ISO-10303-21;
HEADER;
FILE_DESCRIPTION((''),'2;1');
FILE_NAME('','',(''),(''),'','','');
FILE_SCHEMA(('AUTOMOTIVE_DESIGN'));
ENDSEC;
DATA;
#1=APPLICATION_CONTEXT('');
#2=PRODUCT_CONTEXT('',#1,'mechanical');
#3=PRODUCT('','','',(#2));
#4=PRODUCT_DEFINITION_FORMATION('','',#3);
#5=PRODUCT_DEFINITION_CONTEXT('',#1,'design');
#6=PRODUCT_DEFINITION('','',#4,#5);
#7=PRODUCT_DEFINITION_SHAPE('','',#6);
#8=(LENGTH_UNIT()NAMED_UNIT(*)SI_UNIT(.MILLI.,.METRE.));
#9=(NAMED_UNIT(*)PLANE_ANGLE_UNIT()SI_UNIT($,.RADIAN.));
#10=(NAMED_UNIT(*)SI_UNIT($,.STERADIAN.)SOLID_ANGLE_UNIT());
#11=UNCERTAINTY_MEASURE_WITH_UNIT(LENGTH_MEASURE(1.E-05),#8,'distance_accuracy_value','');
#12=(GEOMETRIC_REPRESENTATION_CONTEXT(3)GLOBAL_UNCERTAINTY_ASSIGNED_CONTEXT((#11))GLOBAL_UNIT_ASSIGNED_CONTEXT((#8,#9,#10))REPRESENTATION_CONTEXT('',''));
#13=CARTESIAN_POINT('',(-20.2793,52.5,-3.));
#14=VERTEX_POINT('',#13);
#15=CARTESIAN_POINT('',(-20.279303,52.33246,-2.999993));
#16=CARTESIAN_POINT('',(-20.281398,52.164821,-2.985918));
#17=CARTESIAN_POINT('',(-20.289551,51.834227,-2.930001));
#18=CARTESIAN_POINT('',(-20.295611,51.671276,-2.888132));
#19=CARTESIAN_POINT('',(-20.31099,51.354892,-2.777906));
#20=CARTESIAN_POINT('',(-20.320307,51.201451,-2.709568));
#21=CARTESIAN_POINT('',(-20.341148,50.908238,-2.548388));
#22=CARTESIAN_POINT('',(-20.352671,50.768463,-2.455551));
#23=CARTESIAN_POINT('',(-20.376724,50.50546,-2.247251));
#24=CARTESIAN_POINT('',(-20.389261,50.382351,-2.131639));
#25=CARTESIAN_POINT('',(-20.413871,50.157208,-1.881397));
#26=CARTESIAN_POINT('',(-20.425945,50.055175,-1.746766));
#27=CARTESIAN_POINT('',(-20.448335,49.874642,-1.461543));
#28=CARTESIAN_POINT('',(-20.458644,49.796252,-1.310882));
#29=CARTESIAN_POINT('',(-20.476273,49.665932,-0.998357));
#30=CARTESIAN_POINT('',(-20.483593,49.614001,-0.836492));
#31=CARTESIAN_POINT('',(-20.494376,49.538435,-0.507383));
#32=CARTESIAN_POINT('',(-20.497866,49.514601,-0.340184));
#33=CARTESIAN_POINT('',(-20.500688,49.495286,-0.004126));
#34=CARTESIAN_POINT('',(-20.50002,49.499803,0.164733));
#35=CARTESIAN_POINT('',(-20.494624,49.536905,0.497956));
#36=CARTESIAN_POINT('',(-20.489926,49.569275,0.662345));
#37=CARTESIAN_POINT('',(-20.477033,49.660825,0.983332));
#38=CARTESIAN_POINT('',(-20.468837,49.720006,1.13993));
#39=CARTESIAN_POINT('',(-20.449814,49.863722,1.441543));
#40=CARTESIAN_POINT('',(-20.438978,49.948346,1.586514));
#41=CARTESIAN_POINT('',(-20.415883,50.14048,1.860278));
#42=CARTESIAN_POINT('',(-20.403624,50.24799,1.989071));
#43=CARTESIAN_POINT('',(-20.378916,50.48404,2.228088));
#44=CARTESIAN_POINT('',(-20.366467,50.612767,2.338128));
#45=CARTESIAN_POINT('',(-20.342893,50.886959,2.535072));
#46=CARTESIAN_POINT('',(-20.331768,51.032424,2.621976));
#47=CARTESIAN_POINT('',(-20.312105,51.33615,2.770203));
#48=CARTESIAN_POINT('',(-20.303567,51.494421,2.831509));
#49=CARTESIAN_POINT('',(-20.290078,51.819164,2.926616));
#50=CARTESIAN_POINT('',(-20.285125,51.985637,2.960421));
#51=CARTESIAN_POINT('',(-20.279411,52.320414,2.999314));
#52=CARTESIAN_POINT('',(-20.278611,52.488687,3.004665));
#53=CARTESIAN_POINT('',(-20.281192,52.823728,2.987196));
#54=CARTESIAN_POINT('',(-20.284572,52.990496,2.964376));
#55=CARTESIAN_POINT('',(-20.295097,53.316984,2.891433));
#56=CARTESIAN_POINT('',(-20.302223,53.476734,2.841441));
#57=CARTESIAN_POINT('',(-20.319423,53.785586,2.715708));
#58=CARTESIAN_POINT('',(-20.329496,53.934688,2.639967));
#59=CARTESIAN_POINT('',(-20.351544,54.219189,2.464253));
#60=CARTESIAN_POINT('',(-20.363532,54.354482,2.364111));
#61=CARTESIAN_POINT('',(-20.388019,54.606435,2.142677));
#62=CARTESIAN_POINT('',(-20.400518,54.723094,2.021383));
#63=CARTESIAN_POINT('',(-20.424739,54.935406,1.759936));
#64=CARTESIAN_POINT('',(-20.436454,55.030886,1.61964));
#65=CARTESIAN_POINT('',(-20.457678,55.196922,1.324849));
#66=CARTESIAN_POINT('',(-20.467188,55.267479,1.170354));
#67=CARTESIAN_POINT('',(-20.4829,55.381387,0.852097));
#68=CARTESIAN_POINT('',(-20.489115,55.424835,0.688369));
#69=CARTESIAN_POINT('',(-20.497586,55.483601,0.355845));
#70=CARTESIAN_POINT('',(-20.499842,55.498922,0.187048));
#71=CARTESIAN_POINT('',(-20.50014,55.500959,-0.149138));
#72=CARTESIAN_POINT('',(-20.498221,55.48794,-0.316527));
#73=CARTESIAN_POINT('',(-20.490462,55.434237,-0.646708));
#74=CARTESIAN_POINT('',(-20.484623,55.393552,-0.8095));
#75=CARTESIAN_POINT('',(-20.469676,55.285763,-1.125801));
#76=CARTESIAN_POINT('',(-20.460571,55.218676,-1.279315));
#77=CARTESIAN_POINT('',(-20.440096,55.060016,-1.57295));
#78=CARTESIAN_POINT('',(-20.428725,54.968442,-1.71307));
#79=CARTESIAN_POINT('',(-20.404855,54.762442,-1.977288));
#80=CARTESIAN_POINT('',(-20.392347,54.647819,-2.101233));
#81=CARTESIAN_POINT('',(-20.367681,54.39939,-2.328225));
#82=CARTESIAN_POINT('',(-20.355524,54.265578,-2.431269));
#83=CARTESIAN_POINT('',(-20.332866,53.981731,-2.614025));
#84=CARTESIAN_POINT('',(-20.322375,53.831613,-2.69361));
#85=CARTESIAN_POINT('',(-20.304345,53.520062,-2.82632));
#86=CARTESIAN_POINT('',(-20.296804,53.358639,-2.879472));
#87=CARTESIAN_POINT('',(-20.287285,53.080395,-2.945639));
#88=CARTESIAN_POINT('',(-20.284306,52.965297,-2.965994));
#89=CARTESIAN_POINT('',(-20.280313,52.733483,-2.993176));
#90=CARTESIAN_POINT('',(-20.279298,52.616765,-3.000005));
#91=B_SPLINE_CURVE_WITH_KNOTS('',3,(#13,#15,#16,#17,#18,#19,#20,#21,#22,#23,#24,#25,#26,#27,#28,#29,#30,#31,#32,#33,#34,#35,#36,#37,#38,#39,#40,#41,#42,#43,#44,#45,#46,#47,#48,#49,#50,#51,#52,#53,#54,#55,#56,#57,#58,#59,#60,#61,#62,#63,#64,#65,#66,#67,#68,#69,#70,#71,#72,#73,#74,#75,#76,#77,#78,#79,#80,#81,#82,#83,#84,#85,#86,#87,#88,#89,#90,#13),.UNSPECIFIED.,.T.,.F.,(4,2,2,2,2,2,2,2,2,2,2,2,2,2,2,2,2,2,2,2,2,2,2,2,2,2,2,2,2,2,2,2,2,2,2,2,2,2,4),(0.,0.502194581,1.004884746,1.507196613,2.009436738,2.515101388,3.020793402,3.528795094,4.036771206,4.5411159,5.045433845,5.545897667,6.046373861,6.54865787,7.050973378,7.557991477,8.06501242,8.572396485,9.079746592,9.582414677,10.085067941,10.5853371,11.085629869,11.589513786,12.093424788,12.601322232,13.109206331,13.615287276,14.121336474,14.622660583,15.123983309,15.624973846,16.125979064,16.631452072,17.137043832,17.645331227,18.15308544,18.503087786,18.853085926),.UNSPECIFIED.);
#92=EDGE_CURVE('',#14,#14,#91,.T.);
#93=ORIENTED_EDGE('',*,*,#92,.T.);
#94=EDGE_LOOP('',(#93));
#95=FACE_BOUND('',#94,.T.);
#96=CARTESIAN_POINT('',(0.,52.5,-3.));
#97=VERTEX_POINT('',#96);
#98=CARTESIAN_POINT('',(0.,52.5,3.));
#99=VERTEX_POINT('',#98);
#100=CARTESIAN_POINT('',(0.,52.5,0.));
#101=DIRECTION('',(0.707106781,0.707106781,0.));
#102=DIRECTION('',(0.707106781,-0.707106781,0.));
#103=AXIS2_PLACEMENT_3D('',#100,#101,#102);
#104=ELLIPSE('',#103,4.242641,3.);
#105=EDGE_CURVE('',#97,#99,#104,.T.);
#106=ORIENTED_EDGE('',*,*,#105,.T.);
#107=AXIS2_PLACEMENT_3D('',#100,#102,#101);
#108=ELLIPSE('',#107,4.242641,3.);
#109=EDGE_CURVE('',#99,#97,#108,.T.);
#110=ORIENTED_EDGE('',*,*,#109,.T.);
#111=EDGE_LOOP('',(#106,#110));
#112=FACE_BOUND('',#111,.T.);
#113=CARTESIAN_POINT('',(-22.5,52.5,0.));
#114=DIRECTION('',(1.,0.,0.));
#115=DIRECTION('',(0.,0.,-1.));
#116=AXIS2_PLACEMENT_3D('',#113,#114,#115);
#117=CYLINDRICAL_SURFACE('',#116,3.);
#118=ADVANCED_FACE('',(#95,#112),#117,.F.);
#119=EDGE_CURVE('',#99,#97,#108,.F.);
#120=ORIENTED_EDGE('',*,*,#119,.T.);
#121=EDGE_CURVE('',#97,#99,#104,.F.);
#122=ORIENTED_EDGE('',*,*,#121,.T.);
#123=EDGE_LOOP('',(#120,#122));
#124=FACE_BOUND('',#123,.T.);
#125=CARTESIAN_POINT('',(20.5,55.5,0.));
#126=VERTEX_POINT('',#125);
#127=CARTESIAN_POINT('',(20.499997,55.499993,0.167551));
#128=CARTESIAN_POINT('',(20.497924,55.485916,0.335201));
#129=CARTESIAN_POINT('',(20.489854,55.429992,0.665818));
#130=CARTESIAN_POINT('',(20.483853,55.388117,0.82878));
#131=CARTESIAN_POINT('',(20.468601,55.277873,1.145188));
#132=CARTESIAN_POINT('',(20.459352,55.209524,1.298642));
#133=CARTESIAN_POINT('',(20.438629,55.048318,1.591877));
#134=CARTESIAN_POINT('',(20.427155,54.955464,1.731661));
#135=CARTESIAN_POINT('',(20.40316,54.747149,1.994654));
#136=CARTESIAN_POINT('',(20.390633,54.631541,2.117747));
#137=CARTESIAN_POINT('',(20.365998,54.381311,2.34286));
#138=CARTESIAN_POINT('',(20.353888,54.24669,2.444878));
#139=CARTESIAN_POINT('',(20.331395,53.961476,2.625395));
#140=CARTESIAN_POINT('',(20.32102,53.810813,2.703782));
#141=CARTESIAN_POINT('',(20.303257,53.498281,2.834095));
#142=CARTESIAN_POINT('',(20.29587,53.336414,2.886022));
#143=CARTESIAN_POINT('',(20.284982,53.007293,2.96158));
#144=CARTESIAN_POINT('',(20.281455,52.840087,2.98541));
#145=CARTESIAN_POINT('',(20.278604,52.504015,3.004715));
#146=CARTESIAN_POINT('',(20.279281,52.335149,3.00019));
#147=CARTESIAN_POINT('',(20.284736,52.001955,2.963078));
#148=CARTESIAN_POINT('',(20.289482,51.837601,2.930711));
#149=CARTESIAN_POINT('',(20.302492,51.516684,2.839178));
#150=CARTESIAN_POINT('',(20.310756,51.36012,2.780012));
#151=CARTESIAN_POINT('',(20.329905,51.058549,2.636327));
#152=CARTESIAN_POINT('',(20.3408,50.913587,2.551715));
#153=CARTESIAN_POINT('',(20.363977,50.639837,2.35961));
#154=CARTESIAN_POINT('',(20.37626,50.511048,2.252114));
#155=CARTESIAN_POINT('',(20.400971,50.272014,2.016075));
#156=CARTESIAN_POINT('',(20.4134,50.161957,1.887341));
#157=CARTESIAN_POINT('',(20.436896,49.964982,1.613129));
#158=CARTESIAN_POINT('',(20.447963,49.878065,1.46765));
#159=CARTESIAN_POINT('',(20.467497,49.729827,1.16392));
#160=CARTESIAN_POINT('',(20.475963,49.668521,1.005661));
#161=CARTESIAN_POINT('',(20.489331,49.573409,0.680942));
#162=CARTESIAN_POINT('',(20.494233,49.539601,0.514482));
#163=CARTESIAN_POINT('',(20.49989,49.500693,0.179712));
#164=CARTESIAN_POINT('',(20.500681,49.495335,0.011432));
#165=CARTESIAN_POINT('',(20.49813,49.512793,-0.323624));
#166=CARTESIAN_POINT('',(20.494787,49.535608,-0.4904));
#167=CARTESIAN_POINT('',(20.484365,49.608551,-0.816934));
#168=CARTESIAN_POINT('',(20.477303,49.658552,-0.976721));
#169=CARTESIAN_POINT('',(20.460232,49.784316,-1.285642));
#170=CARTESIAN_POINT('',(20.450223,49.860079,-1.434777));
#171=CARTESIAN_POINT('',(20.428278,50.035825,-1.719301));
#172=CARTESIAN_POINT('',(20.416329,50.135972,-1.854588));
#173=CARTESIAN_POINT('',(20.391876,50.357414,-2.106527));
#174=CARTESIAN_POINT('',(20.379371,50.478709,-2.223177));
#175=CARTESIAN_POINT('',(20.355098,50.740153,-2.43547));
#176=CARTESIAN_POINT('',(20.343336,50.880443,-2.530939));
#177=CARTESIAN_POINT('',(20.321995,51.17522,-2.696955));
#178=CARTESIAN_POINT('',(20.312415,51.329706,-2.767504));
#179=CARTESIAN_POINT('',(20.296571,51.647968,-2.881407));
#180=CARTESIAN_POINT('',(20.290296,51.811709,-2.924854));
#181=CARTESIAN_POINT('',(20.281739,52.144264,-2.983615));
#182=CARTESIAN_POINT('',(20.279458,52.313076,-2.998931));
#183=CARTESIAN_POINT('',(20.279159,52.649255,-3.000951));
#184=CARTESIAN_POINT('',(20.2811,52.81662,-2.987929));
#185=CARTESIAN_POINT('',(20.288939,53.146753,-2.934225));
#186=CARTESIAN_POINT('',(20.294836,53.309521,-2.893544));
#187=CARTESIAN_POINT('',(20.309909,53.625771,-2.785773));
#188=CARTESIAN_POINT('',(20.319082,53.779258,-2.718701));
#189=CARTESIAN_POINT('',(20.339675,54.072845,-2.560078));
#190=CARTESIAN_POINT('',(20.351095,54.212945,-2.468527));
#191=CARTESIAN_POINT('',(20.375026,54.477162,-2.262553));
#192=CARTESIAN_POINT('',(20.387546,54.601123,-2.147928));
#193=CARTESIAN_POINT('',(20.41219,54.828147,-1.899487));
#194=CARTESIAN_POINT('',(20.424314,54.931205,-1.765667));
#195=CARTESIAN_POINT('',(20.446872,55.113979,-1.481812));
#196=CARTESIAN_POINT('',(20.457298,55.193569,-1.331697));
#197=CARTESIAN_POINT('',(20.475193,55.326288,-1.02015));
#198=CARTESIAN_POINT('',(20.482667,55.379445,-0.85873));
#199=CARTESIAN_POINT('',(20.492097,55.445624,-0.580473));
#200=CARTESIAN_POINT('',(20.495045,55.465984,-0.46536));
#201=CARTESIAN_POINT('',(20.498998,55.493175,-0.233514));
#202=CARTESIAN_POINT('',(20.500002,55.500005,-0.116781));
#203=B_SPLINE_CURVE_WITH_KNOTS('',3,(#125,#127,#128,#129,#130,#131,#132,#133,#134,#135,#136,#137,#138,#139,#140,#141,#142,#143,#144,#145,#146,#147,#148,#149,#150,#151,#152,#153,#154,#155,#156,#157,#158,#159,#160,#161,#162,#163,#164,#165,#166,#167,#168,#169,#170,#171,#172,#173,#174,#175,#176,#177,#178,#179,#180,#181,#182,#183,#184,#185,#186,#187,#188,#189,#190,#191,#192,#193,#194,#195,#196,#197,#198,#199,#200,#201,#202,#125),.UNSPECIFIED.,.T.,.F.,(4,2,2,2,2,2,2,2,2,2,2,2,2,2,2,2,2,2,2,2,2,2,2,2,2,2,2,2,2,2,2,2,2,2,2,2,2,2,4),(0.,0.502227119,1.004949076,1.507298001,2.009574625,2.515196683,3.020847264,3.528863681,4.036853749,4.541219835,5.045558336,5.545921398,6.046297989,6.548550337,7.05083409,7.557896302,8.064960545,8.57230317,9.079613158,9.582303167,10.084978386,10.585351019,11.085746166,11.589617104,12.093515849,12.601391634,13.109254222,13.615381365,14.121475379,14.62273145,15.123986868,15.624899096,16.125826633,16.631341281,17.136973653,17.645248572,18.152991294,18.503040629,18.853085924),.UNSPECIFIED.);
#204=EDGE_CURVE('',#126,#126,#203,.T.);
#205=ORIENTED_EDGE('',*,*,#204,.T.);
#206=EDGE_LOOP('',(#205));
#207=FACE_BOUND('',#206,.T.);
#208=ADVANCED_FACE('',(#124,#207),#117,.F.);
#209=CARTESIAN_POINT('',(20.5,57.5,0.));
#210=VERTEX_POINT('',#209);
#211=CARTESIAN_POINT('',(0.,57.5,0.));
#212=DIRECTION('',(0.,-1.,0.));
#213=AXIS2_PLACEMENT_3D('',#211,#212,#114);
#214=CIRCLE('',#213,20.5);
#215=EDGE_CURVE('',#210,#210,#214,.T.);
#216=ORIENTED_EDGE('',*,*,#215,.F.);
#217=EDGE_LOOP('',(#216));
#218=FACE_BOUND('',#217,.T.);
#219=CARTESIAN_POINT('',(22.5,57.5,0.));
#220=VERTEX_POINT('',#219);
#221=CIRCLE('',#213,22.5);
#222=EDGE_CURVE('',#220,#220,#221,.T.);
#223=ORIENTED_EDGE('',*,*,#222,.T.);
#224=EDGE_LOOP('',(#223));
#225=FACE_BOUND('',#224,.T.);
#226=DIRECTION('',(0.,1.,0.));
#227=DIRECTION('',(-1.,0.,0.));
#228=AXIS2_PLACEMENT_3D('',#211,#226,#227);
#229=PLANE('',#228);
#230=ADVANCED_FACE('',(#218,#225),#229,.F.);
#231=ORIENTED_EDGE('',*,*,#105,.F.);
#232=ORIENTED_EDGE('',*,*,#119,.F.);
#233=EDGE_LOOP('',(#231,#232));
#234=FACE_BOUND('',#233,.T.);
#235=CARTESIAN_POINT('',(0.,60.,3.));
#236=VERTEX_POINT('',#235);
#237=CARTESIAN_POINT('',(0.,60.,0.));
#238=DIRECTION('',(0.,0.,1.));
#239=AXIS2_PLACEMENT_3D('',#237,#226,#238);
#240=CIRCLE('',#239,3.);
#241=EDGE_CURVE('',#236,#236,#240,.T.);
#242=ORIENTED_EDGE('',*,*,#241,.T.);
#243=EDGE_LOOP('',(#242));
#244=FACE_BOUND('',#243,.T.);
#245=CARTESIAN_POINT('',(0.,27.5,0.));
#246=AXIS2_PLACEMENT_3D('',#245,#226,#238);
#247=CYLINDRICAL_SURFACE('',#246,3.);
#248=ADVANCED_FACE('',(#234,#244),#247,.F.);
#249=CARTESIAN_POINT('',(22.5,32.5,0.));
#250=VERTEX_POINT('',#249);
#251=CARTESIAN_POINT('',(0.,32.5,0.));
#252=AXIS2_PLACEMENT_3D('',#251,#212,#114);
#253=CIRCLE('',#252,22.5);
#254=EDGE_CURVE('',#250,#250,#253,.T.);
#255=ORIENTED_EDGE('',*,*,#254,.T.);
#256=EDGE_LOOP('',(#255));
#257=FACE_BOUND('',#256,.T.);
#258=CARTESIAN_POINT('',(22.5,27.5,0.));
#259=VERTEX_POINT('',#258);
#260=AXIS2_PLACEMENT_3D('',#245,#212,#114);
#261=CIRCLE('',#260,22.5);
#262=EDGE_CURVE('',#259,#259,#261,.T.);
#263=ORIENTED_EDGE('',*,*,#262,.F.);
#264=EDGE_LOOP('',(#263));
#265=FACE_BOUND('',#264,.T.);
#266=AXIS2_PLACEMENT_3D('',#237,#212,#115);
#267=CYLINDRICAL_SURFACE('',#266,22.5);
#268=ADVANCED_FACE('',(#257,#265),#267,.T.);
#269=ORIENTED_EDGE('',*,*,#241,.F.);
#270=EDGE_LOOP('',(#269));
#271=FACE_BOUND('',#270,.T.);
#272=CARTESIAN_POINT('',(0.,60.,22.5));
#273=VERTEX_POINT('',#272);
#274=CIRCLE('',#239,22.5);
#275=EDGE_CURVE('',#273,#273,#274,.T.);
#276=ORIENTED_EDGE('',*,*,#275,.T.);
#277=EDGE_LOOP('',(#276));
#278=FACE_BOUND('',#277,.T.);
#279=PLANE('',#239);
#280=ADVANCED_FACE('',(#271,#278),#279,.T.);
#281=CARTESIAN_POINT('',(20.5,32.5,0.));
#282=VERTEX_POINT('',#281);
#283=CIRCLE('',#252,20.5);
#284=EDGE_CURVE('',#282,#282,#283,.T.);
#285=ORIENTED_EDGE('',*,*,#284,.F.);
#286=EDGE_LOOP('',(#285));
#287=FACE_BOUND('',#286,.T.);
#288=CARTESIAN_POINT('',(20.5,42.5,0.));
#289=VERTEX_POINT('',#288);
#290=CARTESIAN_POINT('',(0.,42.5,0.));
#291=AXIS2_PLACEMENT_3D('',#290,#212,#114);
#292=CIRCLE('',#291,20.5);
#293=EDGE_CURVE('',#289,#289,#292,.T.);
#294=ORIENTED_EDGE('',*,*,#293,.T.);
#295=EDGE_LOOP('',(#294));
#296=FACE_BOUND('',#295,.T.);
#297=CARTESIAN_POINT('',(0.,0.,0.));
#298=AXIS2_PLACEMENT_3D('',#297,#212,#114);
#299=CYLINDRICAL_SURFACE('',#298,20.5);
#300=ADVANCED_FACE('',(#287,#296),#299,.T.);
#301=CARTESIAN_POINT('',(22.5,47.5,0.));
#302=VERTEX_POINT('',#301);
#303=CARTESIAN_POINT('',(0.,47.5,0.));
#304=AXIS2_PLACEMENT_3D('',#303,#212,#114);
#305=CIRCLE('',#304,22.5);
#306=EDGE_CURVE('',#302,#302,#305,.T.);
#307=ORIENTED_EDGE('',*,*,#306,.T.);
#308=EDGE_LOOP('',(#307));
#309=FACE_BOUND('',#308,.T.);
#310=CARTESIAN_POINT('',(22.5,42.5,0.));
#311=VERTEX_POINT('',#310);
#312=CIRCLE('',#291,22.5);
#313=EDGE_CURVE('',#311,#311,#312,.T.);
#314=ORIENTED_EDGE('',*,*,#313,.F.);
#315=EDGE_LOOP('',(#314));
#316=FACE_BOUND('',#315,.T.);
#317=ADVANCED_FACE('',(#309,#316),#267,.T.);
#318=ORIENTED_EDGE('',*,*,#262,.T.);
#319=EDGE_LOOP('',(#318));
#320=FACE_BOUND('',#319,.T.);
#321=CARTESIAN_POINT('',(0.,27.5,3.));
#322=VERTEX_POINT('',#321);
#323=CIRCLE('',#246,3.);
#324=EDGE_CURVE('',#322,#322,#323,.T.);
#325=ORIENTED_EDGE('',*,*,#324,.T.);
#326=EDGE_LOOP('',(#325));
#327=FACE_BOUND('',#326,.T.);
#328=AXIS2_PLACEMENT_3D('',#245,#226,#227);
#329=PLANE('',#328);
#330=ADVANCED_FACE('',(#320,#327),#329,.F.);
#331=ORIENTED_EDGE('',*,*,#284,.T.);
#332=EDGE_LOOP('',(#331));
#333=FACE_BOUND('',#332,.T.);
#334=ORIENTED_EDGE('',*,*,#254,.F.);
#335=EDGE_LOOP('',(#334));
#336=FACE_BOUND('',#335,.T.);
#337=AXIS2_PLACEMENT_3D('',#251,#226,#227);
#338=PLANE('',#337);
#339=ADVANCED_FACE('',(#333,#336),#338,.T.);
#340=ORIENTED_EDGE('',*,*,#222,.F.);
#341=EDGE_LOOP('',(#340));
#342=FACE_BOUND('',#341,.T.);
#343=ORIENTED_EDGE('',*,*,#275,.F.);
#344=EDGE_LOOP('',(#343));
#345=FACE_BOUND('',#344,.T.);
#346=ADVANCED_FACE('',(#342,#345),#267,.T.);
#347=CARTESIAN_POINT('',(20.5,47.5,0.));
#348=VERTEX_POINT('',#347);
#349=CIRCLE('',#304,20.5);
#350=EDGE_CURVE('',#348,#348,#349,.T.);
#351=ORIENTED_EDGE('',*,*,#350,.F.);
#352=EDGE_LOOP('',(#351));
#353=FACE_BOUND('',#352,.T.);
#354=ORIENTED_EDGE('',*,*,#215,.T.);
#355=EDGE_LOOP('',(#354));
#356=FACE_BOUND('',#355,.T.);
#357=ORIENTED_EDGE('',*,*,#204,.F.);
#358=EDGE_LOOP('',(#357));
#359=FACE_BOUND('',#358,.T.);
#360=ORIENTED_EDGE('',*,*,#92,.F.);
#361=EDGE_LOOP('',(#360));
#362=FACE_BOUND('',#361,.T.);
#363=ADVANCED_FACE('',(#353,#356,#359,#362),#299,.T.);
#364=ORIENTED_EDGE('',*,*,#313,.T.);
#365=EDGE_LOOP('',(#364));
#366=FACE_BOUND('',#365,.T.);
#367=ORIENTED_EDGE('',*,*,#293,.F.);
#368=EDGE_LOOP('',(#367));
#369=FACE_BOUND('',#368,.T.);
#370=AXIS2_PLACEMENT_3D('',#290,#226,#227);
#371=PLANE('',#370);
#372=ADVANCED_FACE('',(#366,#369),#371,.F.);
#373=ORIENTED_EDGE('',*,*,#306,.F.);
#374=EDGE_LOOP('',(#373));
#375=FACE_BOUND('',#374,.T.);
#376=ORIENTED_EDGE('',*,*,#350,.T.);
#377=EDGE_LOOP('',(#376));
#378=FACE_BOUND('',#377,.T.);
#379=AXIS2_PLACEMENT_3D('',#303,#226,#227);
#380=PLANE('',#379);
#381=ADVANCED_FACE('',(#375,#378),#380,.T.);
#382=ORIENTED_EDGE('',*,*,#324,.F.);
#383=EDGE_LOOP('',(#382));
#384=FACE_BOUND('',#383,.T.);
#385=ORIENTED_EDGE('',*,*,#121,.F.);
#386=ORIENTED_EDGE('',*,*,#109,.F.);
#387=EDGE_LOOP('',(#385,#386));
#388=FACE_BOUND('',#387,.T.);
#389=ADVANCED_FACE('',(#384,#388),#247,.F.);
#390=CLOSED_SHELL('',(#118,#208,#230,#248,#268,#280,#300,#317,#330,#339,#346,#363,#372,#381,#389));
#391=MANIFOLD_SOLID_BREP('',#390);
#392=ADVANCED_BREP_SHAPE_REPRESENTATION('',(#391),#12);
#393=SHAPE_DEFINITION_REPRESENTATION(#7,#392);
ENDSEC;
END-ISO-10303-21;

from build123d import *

# Parameters (mm, degrees)
SKETCH1_R               = 22.5
BOSS_EXTRUDE1_DEPTH     = 60
SKETCH2_R               = 15
CUT_EXTRUDE1_DEPTH      = 12
SKETCH6_W               = 2
SKETCH6_H               = 10
SKETCH7_R               = 22.5
CUT_EXTRUDE2_DEPTH      = 27.5
SKETCH8_R               = 15
CUT_EXTRUDE3_DEPTH      = 27.5
SKETCH9_R               = 2
CUT_EXTRUDE5_DEPTH      = 23.5
CUT_EXTRUDE5_DEPTH_BACK = 23.5
SKETCH10_R              = 15
BOSS_EXTRUDE2_DEPTH     = 32.5
SKETCH11_R              = 3
CUT_EXTRUDE8_DEPTH      = 23.5
CUT_EXTRUDE8_DEPTH_BACK = 23.5
SKETCH12_R              = 3
CUT_EXTRUDE9_DEPTH      = 32.5


with BuildPart() as part:
    # Sketch1 → Boss-Extrude1 (new body)
    with BuildSketch(Plane(origin=(0, 0, 0), x_dir=(1, 0, 0), z_dir=(0, 1, 0))):
        Circle(SKETCH1_R)
    extrude(amount=BOSS_EXTRUDE1_DEPTH)

    # Sketch2 → Cut-Extrude1 (cut)
    with BuildSketch(Plane(origin=(0, 60, 0), x_dir=(1, 0, 0), z_dir=(0, 1, 0))):
        Circle(SKETCH2_R)
    extrude(amount=-CUT_EXTRUDE1_DEPTH, mode=Mode.SUBTRACT)

    # Sketch6 → Cut-Revolve1 (revolve, cut)
    with BuildSketch(Plane.XY):
        with Locations((-21.5, 52.5)):
            Rectangle(SKETCH6_W, SKETCH6_H)
        with Locations((-21.5, 37.5)):
            Rectangle(SKETCH6_W, SKETCH6_H)
        with Locations((-21.5, 22.5)):
            Rectangle(SKETCH6_W, SKETCH6_H)
        with Locations((-21.5, 7.5)):
            Rectangle(SKETCH6_W, SKETCH6_H)
    revolve(axis=Axis((0, 0, 0), (0, 1, 0)), mode=Mode.SUBTRACT)

    # Sketch7 → Cut-Extrude2 (cut)
    with BuildSketch(Plane.XZ):
        Circle(SKETCH7_R)
    extrude(amount=-CUT_EXTRUDE2_DEPTH, mode=Mode.SUBTRACT)

    # Sketch8 → Cut-Extrude3 (cut)
    with BuildSketch(Plane(origin=(0, 48, 0), x_dir=(1, 0, 0), z_dir=(0, 1, 0))):
        Circle(SKETCH8_R)
    extrude(amount=-CUT_EXTRUDE3_DEPTH, mode=Mode.SUBTRACT)

    # Sketch9 → Cut-Extrude5 (cut, two sides)
    with BuildSketch(Plane(origin=(0, 0, 0), x_dir=(0, 0, -1), z_dir=(1, 0, 0))) as cut_extrude5_sk:
        with Locations((0, 52.5)):
            Circle(SKETCH9_R)
    extrude(amount=CUT_EXTRUDE5_DEPTH, mode=Mode.SUBTRACT)
    extrude(cut_extrude5_sk.sketch, amount=-CUT_EXTRUDE5_DEPTH_BACK, mode=Mode.SUBTRACT)

    # Sketch10 → Boss-Extrude2 (add)
    with BuildSketch(Plane(origin=(0, 60, 0), x_dir=(1, 0, 0), z_dir=(0, 1, 0))):
        Circle(SKETCH10_R)
    extrude(amount=-BOSS_EXTRUDE2_DEPTH)

    # Sketch11 → Cut-Extrude8 (cut, two sides)
    with BuildSketch(Plane(origin=(0, 0, 0), x_dir=(0, 0, -1), z_dir=(1, 0, 0))) as cut_extrude8_sk:
        with Locations((0, 52.5)):
            Circle(SKETCH11_R)
    extrude(amount=CUT_EXTRUDE8_DEPTH, mode=Mode.SUBTRACT)
    extrude(cut_extrude8_sk.sketch, amount=-CUT_EXTRUDE8_DEPTH_BACK, mode=Mode.SUBTRACT)

    # Sketch12 → Cut-Extrude9 (cut)
    with BuildSketch(Plane(origin=(0, 60, 0), x_dir=(1, 0, 0), z_dir=(0, 1, 0))):
        Circle(SKETCH12_R)
    extrude(amount=-CUT_EXTRUDE9_DEPTH, mode=Mode.SUBTRACT)


solid = part.part
